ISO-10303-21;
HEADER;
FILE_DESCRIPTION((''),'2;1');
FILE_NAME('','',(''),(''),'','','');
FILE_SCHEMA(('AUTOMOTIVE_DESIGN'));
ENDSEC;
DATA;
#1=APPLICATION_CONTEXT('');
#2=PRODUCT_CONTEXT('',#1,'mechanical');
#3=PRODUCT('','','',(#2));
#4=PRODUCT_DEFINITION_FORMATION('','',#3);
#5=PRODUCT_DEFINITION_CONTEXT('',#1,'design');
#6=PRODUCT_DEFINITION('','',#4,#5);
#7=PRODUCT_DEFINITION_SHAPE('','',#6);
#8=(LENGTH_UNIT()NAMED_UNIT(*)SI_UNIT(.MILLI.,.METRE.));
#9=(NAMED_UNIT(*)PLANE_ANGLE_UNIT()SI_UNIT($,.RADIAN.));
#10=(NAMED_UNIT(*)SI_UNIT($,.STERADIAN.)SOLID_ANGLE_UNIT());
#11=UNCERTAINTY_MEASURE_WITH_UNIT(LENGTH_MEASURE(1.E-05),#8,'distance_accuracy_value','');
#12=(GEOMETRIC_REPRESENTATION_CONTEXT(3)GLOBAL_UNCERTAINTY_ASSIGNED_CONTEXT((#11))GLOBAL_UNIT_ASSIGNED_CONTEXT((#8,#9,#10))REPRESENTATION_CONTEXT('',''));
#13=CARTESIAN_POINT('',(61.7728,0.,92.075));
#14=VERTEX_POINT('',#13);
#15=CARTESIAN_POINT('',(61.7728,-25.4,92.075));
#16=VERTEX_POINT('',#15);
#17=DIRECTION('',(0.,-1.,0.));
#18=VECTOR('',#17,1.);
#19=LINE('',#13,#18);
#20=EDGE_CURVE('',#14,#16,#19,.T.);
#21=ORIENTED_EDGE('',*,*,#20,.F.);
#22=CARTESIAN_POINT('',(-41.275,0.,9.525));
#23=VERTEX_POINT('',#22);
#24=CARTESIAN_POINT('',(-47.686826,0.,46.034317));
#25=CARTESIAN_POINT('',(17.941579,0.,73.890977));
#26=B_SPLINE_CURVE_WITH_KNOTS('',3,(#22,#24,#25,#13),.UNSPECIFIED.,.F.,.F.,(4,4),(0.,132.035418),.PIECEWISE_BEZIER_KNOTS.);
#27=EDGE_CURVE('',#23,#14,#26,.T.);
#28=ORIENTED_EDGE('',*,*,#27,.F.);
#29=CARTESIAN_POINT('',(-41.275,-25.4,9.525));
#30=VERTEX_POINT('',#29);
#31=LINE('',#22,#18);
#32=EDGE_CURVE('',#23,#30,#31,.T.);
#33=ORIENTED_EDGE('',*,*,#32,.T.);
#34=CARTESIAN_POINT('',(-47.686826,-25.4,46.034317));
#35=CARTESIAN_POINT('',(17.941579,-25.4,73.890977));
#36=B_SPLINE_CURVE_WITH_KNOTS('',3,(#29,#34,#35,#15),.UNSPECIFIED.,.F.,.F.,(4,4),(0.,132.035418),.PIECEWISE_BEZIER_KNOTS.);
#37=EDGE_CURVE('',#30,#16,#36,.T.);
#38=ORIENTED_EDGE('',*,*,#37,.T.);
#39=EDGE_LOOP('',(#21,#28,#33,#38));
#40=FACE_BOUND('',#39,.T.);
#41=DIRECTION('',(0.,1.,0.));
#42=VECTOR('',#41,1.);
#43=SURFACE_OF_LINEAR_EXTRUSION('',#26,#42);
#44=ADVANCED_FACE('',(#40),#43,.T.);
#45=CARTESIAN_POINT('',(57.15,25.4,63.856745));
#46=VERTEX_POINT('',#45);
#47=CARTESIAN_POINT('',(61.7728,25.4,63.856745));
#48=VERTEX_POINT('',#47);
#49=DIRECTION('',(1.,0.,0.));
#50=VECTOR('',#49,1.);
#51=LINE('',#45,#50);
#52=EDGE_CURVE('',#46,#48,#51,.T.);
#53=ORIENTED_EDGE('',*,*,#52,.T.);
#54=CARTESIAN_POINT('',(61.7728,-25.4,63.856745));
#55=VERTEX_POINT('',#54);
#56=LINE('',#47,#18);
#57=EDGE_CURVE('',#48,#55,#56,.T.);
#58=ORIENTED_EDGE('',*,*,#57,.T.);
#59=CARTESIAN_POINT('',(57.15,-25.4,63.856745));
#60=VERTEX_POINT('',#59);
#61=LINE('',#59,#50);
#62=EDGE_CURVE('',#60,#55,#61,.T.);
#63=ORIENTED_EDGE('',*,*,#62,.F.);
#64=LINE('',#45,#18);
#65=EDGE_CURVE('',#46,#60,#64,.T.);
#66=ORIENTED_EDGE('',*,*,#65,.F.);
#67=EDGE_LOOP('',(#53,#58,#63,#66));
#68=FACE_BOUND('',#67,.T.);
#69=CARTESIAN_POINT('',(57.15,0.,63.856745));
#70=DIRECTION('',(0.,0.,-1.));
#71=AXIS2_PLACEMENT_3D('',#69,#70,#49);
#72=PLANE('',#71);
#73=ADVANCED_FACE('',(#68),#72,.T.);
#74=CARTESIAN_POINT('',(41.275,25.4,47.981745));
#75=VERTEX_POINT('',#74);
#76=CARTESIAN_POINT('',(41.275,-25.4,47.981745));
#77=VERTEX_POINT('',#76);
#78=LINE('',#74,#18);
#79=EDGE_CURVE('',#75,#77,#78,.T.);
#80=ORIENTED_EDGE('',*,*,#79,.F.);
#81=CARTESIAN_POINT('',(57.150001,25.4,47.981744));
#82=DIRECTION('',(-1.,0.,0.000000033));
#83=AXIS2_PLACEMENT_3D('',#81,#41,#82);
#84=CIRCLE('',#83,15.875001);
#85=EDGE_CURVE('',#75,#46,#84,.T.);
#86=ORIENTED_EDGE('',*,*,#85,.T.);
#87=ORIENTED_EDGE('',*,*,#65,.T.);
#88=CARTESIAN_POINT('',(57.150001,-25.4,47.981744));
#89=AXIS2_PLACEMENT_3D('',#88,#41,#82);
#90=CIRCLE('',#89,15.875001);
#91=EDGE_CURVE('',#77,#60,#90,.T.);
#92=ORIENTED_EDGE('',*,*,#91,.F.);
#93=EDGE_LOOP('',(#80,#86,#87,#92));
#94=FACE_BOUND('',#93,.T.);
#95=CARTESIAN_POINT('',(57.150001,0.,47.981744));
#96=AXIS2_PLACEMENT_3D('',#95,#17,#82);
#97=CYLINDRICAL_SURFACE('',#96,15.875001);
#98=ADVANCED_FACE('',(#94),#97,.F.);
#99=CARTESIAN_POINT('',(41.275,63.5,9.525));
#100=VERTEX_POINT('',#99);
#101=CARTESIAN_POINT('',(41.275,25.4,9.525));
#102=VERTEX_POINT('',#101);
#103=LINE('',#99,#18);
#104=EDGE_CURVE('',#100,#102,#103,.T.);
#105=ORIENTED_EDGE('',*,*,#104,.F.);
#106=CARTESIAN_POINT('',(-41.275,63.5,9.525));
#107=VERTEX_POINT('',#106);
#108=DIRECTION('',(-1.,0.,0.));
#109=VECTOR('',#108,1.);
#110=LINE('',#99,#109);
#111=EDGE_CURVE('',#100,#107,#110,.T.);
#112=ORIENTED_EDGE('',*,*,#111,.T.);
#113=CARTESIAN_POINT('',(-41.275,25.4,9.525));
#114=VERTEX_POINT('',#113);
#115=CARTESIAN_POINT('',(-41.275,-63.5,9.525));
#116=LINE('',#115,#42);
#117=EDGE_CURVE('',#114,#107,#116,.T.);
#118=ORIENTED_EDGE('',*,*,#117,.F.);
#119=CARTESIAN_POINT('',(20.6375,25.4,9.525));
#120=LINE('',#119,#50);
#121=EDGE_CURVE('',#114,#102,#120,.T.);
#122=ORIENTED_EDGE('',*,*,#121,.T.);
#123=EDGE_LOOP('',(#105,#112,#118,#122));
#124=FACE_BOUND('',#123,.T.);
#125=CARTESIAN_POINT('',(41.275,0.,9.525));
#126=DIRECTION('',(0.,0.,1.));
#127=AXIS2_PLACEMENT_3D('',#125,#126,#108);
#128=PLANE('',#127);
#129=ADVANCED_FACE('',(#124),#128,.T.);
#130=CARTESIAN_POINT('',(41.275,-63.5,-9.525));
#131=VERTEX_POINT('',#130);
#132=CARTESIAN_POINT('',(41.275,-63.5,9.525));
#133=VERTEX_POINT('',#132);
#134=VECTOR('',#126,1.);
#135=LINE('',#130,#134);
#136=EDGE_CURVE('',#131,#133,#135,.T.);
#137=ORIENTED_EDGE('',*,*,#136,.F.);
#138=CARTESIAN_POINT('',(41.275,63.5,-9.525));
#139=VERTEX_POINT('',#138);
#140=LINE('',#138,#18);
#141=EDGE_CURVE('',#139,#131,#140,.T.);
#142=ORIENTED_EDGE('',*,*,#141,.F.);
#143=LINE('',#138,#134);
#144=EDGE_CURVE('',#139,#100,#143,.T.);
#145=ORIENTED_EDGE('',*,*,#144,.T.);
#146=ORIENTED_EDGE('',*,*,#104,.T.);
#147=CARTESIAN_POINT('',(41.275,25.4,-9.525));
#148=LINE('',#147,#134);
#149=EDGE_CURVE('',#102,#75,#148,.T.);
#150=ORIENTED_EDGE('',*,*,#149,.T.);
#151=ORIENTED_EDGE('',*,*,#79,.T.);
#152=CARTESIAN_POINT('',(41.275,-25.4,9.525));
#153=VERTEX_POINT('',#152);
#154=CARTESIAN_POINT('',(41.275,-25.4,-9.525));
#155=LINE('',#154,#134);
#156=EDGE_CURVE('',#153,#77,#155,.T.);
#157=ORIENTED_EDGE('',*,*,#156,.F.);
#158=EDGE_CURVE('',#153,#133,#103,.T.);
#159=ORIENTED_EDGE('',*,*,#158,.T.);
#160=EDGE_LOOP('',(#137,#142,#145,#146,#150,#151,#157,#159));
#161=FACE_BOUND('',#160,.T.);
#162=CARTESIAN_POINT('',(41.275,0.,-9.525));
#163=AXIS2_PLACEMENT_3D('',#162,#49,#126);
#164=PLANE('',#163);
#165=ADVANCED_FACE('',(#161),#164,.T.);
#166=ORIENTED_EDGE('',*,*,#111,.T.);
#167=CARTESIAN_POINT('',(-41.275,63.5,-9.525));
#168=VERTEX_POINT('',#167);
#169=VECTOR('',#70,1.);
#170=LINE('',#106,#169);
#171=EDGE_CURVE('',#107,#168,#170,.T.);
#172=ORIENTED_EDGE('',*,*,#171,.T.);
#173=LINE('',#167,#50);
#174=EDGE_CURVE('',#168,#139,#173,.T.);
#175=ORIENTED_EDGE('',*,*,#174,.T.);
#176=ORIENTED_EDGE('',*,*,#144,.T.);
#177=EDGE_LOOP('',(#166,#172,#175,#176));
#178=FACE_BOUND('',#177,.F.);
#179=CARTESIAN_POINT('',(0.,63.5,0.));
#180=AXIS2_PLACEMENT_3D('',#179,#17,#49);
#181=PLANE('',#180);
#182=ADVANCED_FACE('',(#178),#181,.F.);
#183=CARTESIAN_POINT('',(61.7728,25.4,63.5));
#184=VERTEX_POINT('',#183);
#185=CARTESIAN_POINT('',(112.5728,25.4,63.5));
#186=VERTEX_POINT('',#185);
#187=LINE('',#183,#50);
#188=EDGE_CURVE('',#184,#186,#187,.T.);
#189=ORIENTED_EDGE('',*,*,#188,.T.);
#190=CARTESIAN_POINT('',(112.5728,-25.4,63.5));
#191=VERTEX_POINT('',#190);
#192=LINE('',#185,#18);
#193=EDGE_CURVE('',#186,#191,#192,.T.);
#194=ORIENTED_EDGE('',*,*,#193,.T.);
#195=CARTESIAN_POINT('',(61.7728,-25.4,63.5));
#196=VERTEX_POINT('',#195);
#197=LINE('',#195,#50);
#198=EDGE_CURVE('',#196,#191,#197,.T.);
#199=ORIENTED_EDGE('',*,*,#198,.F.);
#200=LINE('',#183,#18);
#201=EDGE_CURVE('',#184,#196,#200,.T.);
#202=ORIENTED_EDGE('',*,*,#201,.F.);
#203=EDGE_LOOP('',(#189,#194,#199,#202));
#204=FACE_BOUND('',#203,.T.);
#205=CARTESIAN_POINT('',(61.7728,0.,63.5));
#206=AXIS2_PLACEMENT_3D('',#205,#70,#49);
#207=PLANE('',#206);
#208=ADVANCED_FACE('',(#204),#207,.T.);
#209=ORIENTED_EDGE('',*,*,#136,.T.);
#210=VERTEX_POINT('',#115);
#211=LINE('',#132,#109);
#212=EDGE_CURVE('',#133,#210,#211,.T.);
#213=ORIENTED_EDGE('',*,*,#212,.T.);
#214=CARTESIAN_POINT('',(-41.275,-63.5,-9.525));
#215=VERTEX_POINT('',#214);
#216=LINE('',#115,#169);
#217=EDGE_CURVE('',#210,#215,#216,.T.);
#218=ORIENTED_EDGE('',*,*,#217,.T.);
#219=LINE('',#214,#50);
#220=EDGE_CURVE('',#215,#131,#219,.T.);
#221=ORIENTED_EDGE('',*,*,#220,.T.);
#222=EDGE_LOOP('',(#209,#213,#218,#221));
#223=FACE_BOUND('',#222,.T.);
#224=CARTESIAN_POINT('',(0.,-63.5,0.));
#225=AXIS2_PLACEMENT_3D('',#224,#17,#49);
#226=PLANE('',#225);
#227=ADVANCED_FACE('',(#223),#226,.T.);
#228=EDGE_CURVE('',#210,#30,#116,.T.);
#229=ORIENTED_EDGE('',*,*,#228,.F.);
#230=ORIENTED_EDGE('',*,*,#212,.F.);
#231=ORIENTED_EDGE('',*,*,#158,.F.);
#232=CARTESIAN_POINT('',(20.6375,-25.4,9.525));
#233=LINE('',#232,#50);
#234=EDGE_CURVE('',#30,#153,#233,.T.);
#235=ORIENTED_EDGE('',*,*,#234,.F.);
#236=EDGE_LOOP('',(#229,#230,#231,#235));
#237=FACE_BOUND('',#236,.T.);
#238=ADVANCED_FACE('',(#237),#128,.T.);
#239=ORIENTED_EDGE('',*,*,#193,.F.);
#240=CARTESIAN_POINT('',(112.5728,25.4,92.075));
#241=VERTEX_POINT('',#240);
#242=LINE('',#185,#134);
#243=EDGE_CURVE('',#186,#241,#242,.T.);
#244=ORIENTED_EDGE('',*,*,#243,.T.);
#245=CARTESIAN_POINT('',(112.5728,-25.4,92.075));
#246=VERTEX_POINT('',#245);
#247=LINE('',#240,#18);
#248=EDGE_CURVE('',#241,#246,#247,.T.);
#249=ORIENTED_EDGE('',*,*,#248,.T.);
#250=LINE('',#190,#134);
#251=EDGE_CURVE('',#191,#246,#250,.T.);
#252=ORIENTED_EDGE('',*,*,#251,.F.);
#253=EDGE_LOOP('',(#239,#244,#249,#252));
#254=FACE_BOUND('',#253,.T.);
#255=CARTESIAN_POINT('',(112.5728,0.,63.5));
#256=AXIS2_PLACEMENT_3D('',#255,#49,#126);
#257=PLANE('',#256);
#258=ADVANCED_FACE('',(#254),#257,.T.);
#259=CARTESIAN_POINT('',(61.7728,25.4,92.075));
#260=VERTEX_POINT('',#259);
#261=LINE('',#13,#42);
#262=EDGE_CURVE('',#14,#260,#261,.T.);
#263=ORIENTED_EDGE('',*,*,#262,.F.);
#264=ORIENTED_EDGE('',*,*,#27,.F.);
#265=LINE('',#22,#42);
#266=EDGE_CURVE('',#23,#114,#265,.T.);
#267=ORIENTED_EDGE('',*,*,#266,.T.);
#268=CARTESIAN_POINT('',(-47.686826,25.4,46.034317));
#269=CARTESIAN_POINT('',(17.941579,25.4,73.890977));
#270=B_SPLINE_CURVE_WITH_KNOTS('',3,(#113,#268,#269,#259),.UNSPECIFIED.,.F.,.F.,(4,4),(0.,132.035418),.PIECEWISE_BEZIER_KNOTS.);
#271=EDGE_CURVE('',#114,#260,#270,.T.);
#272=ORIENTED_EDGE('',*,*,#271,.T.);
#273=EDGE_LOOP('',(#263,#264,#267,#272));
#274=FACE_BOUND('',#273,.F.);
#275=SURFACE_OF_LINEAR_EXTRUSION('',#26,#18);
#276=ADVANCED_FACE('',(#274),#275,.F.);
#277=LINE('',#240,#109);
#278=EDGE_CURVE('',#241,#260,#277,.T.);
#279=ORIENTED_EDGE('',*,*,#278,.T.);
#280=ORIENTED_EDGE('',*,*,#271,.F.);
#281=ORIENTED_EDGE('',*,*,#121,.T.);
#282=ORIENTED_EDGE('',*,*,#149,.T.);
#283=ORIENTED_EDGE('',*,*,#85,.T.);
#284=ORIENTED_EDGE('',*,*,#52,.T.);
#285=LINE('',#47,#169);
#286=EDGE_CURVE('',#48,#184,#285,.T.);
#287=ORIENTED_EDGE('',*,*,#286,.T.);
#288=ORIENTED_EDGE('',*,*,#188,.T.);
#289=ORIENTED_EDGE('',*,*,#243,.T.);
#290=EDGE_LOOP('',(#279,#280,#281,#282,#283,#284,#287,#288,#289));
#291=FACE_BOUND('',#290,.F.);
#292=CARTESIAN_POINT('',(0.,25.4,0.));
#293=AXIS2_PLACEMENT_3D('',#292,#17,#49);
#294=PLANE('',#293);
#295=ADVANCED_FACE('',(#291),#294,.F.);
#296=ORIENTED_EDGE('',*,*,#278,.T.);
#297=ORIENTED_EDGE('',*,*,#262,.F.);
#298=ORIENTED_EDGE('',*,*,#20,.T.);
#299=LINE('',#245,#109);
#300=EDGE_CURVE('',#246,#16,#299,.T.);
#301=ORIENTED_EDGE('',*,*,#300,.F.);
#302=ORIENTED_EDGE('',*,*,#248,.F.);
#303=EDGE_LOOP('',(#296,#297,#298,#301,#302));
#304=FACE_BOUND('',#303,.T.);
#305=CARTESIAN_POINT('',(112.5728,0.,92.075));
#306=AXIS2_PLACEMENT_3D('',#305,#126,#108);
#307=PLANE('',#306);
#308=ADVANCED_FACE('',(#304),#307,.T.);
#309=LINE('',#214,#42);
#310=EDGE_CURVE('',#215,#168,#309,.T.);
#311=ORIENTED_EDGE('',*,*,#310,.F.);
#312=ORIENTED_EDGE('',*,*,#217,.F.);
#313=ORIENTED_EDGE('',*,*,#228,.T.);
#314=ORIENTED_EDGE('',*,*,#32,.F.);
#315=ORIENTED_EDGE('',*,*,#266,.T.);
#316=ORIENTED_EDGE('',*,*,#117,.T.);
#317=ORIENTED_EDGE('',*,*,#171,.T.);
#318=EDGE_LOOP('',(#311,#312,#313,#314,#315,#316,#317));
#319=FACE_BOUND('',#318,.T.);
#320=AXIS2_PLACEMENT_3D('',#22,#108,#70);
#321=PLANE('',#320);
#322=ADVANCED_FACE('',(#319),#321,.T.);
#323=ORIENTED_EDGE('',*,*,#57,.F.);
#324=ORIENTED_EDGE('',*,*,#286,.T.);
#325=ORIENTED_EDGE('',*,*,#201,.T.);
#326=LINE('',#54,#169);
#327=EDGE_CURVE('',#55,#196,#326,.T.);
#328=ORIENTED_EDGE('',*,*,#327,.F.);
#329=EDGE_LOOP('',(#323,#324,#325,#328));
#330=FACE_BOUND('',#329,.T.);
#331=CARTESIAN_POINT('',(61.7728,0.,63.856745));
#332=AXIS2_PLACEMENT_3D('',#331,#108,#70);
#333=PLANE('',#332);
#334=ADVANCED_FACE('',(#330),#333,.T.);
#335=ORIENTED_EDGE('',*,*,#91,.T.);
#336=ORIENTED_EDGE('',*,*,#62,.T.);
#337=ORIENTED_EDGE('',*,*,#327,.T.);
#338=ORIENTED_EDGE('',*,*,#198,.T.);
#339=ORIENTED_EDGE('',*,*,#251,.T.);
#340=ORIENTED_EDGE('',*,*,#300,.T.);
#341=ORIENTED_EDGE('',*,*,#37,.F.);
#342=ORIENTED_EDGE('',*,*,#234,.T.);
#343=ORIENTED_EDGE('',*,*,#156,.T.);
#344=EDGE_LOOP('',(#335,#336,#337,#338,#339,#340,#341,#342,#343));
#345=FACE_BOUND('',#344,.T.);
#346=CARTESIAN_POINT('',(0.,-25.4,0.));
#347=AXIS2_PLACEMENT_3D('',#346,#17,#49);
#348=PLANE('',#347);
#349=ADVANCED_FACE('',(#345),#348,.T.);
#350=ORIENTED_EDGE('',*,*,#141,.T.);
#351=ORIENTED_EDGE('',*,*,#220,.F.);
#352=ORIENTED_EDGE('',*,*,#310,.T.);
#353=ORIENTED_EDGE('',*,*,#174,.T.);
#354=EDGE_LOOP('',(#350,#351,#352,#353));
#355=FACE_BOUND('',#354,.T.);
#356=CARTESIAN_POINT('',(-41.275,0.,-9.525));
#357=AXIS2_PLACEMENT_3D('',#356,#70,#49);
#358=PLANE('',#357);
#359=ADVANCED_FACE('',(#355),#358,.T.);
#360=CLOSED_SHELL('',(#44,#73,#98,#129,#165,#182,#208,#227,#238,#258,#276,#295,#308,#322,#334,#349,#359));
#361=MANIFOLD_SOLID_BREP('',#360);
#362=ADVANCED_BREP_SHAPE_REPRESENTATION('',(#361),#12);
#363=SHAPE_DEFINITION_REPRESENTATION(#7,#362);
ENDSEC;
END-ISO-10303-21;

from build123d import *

# Parameters (mm, degrees)
F1_DEPTH = 63.5
F2_DEPTH = 25.4


with BuildPart() as f1:
    # F0 (on Front) → F1 (new body, symmetric)
    with BuildSketch(Plane.XZ):
        Polygon((-41.275, -9.525), (41.275, -9.525), (41.275, 9.525), (22.225, 9.525), (-41.275, 9.525), align=None)
    extrude(amount=F1_DEPTH, both=True)

    # F0 (on Front) → F2 (join, symmetric)
    with BuildSketch(Plane.XZ):
        Polygon((-41.275, -9.525), (41.275, -9.525), (41.275, 9.525), (22.225, 9.525), (-41.275, 9.525), align=None)
        with BuildLine():
            Line((22.225, 9.525), (41.275, 9.525))
            Line((41.275, 9.525), (41.275, 47.981745))
            ThreePointArc((41.275, 47.981745), (45.92468, 59.207065), (57.15, 63.856745))
            Line((57.15, 63.856745), (61.7728, 63.856745))
            Line((61.7728, 63.856745), (61.7728, 82.906745))
            Line((61.7728, 82.906745), (57.15, 82.906745))
            ThreePointArc((57.15, 82.906745), (32.454296, 72.677449), (22.225, 47.981745))
            Line((22.225, 47.981745), (22.225, 9.525))
        make_face()
        with BuildLine():
            add(Edge.make_bspline(
                [(-41.275, 9.525), (-47.686826, 46.034317), (17.941579, 73.890977), (61.7728, 92.075)],
                knots=[0, 0, 0, 0, 132.035418, 132.035418, 132.035418, 132.035418], degree=3))
            Line((-41.275, 9.525), (22.225, 9.525))
            Line((22.225, 9.525), (22.225, 47.981745))
            ThreePointArc((22.225, 47.981745), (32.454296, 72.677449), (57.15, 82.906745))
            Line((57.15, 82.906745), (61.7728, 82.906745))
            Line((61.7728, 82.906745), (61.7728, 92.075))
        make_face()
        Polygon((112.5728, 92.075), (61.7728, 92.075), (61.7728, 82.906745), (61.7728, 63.856745), (61.7728, 63.5), (112.5728, 63.5), align=None)
    extrude(amount=F2_DEPTH, both=True)


solid = f1.part
